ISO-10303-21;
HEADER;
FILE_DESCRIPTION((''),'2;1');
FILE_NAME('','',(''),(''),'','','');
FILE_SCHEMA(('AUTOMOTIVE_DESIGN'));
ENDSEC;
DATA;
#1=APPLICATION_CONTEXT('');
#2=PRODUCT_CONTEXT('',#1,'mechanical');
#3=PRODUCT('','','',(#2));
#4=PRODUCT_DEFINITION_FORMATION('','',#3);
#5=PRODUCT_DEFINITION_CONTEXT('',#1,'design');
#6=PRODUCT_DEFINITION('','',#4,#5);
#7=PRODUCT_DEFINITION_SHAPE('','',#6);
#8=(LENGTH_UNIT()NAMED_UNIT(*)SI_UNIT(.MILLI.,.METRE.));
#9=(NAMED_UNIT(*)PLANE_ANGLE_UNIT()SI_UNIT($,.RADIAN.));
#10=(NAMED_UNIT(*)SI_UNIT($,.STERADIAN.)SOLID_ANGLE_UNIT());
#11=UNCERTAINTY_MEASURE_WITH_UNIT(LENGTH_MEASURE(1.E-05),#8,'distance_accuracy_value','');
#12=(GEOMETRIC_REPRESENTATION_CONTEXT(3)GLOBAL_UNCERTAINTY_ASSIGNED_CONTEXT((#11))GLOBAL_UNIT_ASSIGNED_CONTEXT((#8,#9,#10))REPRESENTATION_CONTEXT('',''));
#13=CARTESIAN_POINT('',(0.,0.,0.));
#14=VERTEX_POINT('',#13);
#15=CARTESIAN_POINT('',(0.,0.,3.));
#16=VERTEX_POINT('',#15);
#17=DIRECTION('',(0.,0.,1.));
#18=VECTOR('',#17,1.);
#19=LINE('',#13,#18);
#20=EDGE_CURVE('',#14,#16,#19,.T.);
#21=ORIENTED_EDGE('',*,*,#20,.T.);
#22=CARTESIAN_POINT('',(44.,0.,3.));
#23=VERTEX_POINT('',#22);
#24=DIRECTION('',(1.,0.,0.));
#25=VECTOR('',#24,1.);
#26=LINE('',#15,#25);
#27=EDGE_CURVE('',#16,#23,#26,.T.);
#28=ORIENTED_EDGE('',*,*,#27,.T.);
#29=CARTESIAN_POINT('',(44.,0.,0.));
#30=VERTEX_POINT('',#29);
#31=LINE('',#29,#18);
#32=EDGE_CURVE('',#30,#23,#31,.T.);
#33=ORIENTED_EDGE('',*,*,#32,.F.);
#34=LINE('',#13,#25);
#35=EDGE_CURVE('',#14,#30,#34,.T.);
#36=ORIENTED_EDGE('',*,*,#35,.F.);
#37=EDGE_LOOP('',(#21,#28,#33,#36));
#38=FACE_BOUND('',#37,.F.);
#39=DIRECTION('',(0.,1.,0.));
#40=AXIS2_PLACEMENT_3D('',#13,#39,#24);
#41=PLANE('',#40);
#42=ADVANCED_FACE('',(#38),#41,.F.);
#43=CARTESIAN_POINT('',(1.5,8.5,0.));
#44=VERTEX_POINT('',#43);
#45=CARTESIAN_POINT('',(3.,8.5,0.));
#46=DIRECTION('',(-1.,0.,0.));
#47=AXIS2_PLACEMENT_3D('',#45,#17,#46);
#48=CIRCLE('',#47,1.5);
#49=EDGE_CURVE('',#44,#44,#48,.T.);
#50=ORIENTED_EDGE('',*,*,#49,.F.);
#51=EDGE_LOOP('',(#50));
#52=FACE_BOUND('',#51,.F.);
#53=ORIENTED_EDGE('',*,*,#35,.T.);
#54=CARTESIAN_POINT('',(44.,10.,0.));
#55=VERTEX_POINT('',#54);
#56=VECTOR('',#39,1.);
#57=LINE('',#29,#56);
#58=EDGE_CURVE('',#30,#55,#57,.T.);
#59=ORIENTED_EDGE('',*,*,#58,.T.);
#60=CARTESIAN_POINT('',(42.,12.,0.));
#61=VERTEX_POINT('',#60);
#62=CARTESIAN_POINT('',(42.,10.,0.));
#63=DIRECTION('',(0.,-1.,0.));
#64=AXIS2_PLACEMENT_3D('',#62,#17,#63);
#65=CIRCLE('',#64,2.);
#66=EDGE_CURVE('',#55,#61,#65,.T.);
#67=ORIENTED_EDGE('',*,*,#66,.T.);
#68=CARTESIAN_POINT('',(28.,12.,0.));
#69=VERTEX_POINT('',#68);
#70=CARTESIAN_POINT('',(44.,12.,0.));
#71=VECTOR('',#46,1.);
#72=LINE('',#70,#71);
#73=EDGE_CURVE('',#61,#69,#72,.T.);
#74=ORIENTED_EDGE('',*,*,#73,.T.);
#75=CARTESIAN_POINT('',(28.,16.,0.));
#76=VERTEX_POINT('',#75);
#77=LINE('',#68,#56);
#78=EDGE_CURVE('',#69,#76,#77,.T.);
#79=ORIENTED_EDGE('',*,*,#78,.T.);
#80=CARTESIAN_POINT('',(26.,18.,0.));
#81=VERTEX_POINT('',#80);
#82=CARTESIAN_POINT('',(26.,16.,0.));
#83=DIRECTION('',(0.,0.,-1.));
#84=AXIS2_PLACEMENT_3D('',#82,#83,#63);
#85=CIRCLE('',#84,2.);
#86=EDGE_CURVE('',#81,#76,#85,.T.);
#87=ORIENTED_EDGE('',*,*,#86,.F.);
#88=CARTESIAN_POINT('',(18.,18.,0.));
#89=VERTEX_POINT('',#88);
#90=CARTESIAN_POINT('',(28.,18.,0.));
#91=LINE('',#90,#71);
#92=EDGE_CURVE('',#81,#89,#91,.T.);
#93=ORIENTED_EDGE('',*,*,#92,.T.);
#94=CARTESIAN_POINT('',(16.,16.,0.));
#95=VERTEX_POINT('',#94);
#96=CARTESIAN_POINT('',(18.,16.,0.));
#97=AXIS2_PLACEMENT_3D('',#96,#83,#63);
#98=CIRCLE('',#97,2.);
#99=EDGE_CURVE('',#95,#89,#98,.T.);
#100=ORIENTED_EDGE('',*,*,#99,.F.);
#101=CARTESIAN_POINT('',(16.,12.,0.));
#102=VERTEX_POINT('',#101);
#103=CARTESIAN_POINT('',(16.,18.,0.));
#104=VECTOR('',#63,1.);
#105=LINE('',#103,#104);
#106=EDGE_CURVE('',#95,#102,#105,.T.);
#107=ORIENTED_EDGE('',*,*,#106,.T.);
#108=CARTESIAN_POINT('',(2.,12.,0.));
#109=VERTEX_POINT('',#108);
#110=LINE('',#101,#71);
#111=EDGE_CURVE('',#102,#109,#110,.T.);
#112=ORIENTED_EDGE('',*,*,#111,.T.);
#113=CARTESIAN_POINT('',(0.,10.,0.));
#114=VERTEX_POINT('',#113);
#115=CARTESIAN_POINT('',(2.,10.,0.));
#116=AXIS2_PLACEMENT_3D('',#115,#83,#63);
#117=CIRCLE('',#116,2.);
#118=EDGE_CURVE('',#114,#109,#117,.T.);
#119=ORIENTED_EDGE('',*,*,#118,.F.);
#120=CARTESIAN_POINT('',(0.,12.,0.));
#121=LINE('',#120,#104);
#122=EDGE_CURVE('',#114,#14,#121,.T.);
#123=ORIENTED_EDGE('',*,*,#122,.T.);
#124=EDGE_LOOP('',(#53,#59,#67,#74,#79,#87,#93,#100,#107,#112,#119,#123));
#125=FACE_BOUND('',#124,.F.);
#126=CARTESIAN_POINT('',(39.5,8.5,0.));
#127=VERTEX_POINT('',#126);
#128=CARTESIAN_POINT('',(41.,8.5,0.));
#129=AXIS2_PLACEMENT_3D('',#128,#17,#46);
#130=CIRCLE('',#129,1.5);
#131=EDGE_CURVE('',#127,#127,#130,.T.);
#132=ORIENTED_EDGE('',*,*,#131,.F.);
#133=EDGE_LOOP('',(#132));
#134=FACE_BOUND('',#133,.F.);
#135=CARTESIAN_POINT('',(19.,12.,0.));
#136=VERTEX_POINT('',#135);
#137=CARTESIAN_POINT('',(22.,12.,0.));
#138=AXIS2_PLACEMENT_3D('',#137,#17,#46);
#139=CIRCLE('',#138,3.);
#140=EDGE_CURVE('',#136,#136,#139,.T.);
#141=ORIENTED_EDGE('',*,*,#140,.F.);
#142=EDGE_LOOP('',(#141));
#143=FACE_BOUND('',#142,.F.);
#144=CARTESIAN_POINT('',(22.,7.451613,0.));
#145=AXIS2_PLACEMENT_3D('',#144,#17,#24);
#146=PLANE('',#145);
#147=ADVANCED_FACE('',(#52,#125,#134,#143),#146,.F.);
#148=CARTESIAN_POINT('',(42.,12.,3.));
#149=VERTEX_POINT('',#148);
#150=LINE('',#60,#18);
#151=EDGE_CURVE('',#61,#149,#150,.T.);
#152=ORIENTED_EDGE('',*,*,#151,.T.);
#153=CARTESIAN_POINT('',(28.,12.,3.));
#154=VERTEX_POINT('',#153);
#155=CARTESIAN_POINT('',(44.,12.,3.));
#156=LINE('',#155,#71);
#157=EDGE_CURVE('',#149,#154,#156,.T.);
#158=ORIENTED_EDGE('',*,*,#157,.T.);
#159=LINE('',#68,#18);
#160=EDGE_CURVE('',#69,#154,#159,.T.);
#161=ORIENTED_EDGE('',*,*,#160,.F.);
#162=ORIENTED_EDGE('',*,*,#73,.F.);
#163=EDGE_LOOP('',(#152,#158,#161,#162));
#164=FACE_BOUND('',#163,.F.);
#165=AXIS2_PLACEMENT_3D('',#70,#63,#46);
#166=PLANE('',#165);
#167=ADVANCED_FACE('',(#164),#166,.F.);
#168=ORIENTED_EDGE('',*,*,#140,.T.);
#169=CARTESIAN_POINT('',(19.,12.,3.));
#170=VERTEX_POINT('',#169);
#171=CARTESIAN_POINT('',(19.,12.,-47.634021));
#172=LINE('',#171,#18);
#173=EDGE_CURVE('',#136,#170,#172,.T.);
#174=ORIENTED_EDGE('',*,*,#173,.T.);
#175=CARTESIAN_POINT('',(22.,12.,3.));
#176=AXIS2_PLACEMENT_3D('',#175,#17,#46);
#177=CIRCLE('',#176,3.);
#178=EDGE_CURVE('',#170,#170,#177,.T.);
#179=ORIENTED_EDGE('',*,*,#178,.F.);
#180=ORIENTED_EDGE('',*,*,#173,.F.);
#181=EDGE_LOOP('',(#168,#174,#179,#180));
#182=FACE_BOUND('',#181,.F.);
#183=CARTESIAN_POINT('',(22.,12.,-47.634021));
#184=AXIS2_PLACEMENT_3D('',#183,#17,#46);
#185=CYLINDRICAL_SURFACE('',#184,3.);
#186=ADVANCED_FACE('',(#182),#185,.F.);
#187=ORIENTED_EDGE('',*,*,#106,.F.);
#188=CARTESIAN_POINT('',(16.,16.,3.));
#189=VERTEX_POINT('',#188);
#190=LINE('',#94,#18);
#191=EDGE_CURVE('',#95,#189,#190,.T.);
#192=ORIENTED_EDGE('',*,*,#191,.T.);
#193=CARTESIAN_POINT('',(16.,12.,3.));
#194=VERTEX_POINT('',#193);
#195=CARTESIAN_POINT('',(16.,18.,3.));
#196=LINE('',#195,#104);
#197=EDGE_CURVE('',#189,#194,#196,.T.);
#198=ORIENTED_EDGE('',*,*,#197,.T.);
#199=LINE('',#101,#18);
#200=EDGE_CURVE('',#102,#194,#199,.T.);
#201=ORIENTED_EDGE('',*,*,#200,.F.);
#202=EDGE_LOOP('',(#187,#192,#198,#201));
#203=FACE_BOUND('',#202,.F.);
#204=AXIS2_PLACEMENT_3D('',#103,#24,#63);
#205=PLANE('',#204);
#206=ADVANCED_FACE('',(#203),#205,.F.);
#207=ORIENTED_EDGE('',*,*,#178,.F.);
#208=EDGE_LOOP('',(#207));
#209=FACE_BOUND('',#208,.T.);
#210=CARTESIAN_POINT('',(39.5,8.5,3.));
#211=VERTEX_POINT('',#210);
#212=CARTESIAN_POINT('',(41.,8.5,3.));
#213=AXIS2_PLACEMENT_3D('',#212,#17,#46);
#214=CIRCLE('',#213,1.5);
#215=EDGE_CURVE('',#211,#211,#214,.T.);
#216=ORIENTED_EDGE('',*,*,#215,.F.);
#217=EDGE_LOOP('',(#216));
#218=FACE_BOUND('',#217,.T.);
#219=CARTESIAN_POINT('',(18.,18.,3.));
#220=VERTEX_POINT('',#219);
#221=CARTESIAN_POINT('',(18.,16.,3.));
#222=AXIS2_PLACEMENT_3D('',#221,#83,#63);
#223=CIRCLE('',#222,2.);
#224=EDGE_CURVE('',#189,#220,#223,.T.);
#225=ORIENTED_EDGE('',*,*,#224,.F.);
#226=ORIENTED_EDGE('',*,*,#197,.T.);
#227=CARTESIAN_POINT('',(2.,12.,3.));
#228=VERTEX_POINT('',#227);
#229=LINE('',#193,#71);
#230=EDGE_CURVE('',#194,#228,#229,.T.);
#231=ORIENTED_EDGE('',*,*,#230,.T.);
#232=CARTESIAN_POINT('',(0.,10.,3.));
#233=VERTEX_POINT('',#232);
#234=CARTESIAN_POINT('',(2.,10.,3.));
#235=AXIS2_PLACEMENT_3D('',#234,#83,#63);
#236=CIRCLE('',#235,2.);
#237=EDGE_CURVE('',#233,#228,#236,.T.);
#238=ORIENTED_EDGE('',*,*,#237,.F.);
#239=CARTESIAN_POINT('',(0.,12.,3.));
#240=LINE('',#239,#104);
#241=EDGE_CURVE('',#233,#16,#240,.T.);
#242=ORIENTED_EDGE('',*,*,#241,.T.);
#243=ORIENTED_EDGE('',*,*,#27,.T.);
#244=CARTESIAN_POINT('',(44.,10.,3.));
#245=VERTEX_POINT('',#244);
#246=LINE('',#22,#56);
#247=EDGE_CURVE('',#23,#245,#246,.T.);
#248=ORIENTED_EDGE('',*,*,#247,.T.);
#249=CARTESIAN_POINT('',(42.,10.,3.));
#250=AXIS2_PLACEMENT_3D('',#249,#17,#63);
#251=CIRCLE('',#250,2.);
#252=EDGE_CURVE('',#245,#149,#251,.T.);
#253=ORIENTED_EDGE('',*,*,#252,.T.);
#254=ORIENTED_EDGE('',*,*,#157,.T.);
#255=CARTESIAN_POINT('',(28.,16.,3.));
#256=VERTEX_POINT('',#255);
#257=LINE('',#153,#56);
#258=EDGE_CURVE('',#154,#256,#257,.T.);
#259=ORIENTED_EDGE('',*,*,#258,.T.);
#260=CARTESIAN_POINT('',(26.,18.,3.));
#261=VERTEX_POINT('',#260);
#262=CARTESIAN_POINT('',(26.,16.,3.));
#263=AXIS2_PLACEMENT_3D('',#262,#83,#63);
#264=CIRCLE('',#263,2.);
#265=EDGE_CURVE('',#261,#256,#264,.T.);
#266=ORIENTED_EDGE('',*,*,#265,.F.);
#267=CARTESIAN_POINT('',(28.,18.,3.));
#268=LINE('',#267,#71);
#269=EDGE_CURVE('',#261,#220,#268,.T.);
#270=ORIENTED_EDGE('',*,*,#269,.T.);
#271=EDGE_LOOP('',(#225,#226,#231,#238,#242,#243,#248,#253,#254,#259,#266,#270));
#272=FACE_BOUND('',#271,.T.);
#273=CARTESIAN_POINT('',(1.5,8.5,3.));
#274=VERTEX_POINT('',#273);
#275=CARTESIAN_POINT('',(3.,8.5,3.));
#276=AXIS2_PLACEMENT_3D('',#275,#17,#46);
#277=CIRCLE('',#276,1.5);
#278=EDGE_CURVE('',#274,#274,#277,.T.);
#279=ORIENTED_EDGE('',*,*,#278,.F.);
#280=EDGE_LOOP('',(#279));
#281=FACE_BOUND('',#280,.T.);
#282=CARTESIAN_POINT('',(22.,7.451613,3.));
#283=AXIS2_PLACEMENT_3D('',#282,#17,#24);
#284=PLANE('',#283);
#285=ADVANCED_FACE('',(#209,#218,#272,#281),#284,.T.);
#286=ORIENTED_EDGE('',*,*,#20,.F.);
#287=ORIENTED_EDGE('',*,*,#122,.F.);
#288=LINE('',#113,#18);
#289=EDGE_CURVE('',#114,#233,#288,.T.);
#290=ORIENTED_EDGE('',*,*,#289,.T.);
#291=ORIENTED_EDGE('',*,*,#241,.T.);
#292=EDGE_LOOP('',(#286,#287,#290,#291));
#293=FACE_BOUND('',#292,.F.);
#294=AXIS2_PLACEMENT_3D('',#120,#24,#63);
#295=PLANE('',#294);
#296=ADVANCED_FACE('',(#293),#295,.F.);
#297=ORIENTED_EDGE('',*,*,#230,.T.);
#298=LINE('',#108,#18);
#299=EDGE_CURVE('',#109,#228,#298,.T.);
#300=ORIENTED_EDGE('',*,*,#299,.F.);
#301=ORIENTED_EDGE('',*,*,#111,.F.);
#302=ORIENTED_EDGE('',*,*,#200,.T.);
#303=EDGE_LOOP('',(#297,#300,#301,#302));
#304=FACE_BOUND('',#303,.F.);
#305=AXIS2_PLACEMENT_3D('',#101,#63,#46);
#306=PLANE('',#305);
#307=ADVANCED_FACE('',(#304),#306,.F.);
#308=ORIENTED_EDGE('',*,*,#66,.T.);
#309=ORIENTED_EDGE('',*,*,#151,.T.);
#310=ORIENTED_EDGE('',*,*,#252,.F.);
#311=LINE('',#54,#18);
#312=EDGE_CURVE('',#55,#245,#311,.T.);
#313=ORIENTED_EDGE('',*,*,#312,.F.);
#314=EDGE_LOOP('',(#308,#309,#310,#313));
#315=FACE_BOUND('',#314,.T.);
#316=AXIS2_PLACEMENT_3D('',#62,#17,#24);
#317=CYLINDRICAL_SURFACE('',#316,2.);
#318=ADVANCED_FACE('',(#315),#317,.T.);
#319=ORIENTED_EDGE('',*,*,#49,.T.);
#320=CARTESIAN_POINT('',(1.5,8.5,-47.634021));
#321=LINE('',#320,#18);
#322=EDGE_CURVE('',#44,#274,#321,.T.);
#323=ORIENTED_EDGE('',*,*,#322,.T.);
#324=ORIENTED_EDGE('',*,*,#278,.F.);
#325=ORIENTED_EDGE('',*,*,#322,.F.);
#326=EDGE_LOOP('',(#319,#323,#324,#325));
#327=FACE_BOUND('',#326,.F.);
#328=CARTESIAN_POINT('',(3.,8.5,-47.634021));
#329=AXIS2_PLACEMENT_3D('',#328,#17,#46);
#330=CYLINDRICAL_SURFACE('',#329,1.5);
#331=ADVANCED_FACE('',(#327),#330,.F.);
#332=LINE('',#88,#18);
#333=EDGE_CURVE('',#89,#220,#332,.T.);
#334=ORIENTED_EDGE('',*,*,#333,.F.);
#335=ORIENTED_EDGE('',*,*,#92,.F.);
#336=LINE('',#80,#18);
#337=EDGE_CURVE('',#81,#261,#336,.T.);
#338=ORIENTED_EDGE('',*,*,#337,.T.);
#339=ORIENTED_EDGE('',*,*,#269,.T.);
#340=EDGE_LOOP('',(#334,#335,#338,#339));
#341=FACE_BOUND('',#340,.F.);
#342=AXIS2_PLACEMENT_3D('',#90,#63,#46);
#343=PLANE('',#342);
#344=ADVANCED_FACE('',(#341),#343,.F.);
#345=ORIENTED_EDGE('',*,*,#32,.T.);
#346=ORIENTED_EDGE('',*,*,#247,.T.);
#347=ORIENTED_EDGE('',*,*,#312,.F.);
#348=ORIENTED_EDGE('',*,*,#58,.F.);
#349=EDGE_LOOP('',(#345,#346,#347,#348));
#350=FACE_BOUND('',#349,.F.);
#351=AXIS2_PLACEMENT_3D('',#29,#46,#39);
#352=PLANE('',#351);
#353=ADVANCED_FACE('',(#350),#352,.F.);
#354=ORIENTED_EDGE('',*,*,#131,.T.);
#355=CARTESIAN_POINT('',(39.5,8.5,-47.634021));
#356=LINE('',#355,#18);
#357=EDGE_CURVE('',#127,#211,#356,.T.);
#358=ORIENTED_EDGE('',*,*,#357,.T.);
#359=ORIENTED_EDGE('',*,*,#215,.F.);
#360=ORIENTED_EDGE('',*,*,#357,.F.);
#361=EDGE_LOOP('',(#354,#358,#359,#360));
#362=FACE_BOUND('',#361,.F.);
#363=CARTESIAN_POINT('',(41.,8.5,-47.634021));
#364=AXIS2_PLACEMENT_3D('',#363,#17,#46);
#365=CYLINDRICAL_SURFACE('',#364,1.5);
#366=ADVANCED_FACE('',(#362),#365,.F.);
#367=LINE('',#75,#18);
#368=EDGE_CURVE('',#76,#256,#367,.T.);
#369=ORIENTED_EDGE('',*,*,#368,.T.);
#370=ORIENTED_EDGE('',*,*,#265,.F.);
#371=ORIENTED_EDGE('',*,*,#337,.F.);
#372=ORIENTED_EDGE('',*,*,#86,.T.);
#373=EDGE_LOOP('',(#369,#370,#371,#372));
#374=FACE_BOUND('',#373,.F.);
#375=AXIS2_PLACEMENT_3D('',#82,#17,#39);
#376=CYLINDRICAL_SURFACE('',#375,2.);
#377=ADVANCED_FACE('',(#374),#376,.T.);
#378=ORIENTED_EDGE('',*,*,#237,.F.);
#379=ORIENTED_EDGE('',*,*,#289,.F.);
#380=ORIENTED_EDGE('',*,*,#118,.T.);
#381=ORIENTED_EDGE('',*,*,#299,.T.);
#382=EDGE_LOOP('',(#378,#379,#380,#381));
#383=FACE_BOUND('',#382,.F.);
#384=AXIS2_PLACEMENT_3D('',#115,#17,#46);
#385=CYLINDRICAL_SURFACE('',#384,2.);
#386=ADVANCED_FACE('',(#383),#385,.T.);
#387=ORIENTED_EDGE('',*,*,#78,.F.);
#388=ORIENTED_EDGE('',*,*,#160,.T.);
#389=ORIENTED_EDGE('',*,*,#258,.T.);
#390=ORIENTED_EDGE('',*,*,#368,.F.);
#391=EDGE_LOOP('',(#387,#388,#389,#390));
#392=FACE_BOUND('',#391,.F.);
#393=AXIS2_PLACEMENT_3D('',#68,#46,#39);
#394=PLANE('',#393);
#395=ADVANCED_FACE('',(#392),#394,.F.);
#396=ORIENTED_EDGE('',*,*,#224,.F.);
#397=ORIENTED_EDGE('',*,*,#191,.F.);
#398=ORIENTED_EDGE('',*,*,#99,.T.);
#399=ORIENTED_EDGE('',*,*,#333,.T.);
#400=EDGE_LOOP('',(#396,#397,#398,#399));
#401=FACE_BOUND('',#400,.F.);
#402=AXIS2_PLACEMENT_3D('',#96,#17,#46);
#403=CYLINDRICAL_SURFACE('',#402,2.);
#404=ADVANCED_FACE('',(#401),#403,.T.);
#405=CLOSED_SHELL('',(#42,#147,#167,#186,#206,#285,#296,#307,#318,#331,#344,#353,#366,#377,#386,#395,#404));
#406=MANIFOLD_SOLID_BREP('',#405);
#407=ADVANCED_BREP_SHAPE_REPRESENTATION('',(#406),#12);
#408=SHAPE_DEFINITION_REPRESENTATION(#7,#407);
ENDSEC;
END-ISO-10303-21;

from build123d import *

# Parameters (mm, degrees)
F1_DEPTH = 3
F2_D     = 6
F3_D     = 3
F4_R     = 2


with BuildPart() as f1:
    # F0 (on Top) → F1 (new body)
    with BuildSketch(Plane.XY):
        Polygon((0, 12), (0, 0), (44, 0), (44, 12), (28, 12), (28, 18), (16, 18), (16, 12), align=None)
    extrude(amount=F1_DEPTH)

    # F2 (through all)
    with Locations(Plane(origin=(0, 0, 0), x_dir=(1, 0, 0), z_dir=(0, 0, -1))):
        with Locations((22, -12)):
            Hole(F2_D / 2)

    # F3 (through all)
    with Locations(Plane(origin=(0, 0, 0), x_dir=(1, 0, 0), z_dir=(0, 0, -1))):
        with Locations((3, -8.5), (41, -8.5)):
            Hole(F3_D / 2)

    # F4
    f4_edges = [f1.edges().sort_by_distance(p)[0] for p in [
        (28, 18, 1.5),
        (16, 18, 1.5),
        (44, 12, 1.5),
        (0, 12, 1.5),
    ]]
    fillet(f4_edges, radius=F4_R)


solid = f1.part
